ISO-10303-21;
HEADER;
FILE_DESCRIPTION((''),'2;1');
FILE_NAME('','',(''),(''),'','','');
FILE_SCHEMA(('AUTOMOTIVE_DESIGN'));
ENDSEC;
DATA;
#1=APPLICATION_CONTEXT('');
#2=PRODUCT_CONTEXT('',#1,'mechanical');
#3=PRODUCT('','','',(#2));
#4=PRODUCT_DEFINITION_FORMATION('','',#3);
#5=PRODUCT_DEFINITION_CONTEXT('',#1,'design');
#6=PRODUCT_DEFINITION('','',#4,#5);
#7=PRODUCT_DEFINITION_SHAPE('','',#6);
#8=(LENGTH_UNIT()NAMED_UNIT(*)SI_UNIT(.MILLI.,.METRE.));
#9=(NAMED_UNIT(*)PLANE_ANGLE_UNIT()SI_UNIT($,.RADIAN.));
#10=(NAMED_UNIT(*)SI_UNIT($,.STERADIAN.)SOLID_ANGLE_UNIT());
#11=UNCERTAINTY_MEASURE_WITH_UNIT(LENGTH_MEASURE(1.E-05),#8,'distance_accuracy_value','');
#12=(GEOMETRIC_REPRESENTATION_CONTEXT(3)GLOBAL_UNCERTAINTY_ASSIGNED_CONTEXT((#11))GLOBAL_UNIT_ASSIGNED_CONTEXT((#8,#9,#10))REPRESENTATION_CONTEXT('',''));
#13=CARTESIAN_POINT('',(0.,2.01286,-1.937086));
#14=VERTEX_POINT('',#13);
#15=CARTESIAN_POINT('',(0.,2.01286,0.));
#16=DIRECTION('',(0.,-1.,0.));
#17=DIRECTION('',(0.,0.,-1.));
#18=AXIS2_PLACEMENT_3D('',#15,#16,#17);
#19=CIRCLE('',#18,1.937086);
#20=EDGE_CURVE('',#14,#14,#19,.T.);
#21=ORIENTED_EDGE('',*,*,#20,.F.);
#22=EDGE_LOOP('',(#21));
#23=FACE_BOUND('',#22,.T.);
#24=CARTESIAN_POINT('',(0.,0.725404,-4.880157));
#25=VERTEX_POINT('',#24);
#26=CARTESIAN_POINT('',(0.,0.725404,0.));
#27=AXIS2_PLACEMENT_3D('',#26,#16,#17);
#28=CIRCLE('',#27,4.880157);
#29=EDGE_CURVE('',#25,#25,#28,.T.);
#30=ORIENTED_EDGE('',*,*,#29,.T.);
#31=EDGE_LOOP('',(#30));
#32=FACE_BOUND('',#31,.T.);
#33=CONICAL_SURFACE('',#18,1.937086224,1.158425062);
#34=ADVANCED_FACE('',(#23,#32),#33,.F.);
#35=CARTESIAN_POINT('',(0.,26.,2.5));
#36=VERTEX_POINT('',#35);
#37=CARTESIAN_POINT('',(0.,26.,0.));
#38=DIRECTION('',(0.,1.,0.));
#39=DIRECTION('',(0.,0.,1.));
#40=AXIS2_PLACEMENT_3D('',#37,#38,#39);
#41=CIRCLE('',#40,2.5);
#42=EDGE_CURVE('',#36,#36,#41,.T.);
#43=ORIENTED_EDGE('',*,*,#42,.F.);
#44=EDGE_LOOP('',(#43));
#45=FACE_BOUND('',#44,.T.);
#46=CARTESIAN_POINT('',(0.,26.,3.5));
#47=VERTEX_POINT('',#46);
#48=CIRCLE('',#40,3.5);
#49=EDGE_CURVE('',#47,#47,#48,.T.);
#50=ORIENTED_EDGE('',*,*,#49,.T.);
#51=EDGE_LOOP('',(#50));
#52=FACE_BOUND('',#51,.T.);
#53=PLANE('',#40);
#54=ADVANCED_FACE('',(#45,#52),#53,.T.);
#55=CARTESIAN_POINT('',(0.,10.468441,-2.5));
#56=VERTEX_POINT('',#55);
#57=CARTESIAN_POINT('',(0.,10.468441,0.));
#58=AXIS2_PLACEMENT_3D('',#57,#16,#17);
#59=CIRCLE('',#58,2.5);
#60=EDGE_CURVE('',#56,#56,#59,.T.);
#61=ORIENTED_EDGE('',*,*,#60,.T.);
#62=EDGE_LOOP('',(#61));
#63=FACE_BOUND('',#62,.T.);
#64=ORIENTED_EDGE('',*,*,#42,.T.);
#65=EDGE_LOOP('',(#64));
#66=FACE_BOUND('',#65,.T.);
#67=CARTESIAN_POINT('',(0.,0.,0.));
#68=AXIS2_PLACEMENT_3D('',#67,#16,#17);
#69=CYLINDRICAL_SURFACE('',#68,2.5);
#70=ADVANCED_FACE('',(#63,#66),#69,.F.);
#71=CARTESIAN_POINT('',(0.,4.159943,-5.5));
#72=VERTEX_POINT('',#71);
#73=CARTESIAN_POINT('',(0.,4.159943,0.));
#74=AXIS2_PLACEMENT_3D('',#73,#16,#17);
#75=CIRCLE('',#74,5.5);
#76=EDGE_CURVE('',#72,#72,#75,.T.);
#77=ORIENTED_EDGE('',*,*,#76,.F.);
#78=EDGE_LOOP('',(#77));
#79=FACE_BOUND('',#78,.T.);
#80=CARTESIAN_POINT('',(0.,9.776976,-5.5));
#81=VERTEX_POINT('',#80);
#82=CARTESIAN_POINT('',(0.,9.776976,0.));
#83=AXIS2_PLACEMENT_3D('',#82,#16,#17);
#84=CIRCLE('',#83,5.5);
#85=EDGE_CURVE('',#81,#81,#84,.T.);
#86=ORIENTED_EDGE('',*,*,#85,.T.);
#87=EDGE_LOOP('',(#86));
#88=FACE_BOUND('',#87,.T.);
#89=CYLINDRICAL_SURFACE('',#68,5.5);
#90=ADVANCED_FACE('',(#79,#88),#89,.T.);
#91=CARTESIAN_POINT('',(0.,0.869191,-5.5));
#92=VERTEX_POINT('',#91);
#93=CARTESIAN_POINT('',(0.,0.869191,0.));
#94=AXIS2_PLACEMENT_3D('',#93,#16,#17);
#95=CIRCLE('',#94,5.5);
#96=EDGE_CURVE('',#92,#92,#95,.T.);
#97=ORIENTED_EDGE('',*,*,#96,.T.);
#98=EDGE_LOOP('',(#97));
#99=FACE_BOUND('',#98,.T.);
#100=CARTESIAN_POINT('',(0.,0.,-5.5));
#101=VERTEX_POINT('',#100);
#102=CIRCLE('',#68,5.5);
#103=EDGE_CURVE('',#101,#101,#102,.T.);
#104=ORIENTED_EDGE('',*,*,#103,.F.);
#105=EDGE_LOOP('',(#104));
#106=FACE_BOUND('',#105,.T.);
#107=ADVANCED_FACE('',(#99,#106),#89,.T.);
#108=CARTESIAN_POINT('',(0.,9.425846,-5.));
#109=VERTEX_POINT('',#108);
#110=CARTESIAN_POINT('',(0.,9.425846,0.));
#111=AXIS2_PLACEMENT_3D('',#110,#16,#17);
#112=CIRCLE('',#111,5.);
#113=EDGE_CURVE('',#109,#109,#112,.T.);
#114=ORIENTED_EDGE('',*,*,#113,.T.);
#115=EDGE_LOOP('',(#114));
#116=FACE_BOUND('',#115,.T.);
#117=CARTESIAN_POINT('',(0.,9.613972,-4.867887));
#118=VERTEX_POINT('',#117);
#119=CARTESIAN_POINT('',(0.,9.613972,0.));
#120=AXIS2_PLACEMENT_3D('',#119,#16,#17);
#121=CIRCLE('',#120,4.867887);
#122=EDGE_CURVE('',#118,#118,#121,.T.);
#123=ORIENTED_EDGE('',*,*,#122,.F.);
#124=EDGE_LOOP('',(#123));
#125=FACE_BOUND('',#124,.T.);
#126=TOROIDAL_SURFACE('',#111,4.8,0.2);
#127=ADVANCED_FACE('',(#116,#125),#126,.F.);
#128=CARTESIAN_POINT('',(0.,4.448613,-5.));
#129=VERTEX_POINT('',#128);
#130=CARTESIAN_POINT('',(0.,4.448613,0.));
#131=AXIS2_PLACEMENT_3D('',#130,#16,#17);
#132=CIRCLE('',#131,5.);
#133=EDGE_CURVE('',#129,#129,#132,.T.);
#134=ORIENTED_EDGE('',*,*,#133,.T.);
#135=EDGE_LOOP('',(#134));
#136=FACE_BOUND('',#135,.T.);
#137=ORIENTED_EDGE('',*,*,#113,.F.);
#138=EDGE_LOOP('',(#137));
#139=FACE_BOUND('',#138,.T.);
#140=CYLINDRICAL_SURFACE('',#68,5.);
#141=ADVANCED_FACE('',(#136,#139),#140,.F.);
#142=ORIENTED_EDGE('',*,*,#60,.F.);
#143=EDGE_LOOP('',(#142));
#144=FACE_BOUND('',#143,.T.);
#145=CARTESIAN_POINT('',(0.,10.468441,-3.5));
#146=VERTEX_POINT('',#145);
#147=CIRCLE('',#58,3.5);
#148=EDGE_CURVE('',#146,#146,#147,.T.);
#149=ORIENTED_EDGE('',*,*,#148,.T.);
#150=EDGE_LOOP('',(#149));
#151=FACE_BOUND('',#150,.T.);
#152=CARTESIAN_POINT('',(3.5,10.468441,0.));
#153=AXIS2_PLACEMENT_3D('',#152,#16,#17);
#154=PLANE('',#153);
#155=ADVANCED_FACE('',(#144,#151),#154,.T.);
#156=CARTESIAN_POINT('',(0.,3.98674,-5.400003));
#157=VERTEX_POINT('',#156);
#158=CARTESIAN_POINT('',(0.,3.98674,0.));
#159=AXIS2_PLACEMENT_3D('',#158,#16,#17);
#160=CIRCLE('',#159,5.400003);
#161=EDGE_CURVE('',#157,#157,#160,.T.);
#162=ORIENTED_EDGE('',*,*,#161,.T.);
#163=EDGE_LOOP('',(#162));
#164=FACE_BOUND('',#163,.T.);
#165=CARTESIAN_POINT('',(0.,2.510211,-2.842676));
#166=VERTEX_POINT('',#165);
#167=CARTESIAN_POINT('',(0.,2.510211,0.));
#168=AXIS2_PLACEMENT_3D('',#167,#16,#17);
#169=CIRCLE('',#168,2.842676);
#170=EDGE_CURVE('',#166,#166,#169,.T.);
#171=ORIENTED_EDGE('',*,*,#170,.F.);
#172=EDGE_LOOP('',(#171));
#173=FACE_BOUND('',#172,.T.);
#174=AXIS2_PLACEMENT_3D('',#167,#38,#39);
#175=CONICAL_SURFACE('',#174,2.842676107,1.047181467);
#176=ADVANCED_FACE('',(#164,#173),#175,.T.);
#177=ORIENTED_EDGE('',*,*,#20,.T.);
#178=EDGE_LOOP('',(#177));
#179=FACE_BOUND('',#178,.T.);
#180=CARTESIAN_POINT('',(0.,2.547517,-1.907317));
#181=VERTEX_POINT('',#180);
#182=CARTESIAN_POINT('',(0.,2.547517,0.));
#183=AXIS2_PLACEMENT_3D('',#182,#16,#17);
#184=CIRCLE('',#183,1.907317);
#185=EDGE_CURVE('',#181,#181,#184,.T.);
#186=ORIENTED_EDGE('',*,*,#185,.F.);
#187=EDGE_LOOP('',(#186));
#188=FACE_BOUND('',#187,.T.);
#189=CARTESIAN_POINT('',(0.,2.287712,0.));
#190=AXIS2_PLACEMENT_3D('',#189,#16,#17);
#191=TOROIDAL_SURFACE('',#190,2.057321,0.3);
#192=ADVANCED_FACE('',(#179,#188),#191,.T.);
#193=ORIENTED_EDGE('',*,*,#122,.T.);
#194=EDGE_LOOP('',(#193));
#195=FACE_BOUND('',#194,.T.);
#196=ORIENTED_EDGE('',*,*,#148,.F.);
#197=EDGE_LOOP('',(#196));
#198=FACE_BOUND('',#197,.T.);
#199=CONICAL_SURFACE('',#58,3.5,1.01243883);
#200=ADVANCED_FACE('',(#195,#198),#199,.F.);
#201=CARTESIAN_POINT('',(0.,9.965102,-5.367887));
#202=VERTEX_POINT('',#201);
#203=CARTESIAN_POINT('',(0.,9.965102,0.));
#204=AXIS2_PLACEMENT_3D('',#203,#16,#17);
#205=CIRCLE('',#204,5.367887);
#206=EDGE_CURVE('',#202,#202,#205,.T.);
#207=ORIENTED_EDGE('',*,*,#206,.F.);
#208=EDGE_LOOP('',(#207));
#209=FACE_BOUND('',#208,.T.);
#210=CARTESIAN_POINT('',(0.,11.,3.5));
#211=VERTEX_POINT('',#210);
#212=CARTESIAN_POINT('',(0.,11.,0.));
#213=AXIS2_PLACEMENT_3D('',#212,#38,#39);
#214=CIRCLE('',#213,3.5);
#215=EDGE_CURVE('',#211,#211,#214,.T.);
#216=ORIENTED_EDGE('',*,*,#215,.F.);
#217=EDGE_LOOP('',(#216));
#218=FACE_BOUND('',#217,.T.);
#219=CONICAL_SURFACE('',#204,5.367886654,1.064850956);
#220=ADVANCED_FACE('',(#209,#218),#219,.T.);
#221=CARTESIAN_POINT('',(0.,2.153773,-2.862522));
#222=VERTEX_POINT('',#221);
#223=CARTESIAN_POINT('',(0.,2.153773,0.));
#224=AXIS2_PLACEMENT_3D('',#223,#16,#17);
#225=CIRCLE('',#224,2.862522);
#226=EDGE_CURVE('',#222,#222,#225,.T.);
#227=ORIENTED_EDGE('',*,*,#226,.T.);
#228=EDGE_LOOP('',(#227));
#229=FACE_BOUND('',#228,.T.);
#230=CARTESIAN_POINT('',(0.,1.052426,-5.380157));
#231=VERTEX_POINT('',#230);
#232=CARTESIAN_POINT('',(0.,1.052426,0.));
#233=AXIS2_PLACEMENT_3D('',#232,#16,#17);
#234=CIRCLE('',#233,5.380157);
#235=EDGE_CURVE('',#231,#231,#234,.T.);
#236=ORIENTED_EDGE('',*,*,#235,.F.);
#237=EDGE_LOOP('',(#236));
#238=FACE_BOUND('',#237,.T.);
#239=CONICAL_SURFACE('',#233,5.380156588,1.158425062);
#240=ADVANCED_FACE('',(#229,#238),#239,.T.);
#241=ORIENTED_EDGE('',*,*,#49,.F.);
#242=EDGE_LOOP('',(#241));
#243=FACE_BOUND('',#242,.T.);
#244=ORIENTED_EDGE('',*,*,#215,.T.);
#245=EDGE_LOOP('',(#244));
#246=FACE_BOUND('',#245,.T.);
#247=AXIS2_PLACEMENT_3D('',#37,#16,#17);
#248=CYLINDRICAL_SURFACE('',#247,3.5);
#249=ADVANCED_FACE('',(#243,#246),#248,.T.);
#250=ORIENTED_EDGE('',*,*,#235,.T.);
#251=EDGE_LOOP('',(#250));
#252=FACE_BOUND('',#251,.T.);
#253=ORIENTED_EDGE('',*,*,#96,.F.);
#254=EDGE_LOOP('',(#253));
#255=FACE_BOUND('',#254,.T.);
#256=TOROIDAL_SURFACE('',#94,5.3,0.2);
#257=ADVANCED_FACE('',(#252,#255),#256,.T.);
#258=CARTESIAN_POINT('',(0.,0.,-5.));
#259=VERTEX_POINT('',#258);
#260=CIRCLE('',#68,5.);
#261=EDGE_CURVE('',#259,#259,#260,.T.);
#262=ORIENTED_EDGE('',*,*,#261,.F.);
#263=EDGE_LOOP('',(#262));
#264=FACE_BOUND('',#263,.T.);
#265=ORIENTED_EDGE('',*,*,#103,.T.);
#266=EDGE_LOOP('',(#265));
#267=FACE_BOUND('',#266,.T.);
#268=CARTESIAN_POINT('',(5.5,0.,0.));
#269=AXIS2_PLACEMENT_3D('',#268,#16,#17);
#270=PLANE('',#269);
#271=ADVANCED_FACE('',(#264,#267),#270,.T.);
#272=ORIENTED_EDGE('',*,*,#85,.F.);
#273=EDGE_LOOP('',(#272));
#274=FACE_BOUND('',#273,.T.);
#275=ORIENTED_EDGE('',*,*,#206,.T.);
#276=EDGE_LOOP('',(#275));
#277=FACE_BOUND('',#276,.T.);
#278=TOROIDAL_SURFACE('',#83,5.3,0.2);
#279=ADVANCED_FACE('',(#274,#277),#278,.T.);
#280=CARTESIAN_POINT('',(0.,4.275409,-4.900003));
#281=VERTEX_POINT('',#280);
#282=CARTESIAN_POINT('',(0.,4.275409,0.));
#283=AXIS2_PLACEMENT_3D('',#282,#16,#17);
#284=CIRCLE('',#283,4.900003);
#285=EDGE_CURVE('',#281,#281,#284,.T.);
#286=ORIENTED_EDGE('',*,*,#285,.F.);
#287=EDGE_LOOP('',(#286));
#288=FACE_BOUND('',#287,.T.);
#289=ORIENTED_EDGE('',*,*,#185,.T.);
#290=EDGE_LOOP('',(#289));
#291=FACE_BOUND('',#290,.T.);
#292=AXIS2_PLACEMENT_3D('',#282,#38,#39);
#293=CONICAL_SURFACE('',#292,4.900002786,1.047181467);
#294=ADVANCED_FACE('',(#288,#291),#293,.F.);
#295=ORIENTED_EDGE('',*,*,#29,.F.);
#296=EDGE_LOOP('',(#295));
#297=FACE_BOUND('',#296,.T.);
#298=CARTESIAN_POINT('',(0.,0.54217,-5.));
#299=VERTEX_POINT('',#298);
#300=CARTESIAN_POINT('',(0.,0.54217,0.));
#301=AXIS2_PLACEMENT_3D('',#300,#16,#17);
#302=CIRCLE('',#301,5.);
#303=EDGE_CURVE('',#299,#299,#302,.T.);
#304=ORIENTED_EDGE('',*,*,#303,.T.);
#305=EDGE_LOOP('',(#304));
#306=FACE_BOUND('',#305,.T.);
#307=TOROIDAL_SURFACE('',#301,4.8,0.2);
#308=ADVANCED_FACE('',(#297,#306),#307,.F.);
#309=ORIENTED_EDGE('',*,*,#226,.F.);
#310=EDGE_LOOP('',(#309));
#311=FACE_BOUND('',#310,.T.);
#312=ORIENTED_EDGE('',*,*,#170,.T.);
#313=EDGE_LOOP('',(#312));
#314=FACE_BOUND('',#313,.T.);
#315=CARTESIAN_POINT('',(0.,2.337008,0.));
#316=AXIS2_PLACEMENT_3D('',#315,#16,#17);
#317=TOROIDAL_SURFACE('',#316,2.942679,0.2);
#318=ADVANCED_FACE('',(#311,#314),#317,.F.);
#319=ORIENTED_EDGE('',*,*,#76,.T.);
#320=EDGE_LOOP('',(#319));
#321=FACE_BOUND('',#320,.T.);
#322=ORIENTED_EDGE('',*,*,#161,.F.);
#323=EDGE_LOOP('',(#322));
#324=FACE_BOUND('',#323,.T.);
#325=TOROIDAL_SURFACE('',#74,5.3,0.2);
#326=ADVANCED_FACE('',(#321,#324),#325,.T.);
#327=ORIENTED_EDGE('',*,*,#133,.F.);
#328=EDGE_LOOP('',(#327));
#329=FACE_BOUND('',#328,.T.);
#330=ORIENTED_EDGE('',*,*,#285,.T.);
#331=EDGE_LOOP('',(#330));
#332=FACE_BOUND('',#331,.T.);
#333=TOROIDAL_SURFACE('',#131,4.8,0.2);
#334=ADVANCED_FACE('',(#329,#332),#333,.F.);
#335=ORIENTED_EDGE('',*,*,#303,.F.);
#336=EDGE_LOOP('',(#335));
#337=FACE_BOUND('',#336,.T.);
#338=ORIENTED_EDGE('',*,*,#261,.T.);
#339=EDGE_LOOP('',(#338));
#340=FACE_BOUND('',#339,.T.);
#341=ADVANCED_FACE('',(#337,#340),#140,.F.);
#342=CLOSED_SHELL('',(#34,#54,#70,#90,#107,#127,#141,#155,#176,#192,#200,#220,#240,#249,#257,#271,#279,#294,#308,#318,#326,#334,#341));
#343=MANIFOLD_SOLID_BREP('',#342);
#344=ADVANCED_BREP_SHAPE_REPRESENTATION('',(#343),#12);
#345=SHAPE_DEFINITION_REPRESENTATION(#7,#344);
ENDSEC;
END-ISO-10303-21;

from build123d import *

# Parameters (mm, degrees)
BOSS_EXTRUDE1_START = 15
SKETCH2_R           = 3.5
SKETCH2_R_2         = 2.5
BOSS_EXTRUDE1_DEPTH = 15


with BuildPart() as part:
    # Sketch1 → Revolve5 (revolve)
    with BuildSketch(Plane.XY, mode=Mode.PRIVATE) as revolve5_sk:
        with BuildLine():
            Line((5.5, 9.776976075), (5.5, 4.159943031))
            ThreePointArc((5.5, 4.159943031), (5.473205885, 4.059944424), (5.400002786, 3.986739559))
            Line((5.400002786, 3.986739559), (2.842676107, 2.510211469))
            ThreePointArc((2.842676107, 2.510211469), (2.742988192, 2.325889372), (2.862522305, 2.153773389))
            Line((2.862522305, 2.153773389), (5.380156588, 1.052425899))
            ThreePointArc((5.380156588, 1.052425899), (5.467378788, 0.978664307), (5.5, 0.869191292))
            Line((5.5, 0.869191292), (5.5, 0))
            Line((5.5, 0), (5, 0))
            Line((5, 0), (5, 0.542169521))
            ThreePointArc((5, 0.542169521), (4.967378788, 0.651642536), (4.880156588, 0.725404128))
            Line((4.880156588, 0.725404128), (1.937086224, 2.012860047))
            ThreePointArc((1.937086224, 2.012860047), (1.757785055, 2.271034021), (1.907316928, 2.547517166))
            Line((1.907316928, 2.547517166), (4.900002786, 4.275409332))
            ThreePointArc((4.900002786, 4.275409332), (4.973205885, 4.348614197), (5, 4.448612804))
            Line((5, 4.448612804), (5, 9.425846177))
            ThreePointArc((5, 9.425846177), (4.963672433, 9.540786747), (4.867886654, 9.613972204))
            Line((4.867886654, 9.613972204), (3.5, 10.468441441))
            Line((3.5, 10.468441441), (2.5, 10.468441441))
            Line((2.5, 10.468441441), (2.5, 11))
            Line((2.5, 11), (3.5, 11))
            Line((3.5, 11), (5.367886654, 9.965102103))
            ThreePointArc((5.367886654, 9.965102103), (5.463672433, 9.891916645), (5.5, 9.776976075))
        make_face()
    revolve(revolve5_sk.sketch.rotate(Axis((0, 0, 0), (0, 1, 0)), 90), axis=Axis((0, 0, 0), (0, 1, 0)))

    # Sketch2 → Boss-Extrude1 (add)
    with BuildSketch(Plane(origin=(0, 11, 0), x_dir=(1, 0, 0), z_dir=(0, 1, 0)).offset(BOSS_EXTRUDE1_START)):
        with Locations(Location((0, 0, 0), (0, 0, 270))):
            Circle(SKETCH2_R)
        with Locations(Location((0, 0, 0), (0, 0, 90))):
            Circle(SKETCH2_R_2, mode=Mode.SUBTRACT)
    extrude(amount=-BOSS_EXTRUDE1_DEPTH)


solid = part.part
